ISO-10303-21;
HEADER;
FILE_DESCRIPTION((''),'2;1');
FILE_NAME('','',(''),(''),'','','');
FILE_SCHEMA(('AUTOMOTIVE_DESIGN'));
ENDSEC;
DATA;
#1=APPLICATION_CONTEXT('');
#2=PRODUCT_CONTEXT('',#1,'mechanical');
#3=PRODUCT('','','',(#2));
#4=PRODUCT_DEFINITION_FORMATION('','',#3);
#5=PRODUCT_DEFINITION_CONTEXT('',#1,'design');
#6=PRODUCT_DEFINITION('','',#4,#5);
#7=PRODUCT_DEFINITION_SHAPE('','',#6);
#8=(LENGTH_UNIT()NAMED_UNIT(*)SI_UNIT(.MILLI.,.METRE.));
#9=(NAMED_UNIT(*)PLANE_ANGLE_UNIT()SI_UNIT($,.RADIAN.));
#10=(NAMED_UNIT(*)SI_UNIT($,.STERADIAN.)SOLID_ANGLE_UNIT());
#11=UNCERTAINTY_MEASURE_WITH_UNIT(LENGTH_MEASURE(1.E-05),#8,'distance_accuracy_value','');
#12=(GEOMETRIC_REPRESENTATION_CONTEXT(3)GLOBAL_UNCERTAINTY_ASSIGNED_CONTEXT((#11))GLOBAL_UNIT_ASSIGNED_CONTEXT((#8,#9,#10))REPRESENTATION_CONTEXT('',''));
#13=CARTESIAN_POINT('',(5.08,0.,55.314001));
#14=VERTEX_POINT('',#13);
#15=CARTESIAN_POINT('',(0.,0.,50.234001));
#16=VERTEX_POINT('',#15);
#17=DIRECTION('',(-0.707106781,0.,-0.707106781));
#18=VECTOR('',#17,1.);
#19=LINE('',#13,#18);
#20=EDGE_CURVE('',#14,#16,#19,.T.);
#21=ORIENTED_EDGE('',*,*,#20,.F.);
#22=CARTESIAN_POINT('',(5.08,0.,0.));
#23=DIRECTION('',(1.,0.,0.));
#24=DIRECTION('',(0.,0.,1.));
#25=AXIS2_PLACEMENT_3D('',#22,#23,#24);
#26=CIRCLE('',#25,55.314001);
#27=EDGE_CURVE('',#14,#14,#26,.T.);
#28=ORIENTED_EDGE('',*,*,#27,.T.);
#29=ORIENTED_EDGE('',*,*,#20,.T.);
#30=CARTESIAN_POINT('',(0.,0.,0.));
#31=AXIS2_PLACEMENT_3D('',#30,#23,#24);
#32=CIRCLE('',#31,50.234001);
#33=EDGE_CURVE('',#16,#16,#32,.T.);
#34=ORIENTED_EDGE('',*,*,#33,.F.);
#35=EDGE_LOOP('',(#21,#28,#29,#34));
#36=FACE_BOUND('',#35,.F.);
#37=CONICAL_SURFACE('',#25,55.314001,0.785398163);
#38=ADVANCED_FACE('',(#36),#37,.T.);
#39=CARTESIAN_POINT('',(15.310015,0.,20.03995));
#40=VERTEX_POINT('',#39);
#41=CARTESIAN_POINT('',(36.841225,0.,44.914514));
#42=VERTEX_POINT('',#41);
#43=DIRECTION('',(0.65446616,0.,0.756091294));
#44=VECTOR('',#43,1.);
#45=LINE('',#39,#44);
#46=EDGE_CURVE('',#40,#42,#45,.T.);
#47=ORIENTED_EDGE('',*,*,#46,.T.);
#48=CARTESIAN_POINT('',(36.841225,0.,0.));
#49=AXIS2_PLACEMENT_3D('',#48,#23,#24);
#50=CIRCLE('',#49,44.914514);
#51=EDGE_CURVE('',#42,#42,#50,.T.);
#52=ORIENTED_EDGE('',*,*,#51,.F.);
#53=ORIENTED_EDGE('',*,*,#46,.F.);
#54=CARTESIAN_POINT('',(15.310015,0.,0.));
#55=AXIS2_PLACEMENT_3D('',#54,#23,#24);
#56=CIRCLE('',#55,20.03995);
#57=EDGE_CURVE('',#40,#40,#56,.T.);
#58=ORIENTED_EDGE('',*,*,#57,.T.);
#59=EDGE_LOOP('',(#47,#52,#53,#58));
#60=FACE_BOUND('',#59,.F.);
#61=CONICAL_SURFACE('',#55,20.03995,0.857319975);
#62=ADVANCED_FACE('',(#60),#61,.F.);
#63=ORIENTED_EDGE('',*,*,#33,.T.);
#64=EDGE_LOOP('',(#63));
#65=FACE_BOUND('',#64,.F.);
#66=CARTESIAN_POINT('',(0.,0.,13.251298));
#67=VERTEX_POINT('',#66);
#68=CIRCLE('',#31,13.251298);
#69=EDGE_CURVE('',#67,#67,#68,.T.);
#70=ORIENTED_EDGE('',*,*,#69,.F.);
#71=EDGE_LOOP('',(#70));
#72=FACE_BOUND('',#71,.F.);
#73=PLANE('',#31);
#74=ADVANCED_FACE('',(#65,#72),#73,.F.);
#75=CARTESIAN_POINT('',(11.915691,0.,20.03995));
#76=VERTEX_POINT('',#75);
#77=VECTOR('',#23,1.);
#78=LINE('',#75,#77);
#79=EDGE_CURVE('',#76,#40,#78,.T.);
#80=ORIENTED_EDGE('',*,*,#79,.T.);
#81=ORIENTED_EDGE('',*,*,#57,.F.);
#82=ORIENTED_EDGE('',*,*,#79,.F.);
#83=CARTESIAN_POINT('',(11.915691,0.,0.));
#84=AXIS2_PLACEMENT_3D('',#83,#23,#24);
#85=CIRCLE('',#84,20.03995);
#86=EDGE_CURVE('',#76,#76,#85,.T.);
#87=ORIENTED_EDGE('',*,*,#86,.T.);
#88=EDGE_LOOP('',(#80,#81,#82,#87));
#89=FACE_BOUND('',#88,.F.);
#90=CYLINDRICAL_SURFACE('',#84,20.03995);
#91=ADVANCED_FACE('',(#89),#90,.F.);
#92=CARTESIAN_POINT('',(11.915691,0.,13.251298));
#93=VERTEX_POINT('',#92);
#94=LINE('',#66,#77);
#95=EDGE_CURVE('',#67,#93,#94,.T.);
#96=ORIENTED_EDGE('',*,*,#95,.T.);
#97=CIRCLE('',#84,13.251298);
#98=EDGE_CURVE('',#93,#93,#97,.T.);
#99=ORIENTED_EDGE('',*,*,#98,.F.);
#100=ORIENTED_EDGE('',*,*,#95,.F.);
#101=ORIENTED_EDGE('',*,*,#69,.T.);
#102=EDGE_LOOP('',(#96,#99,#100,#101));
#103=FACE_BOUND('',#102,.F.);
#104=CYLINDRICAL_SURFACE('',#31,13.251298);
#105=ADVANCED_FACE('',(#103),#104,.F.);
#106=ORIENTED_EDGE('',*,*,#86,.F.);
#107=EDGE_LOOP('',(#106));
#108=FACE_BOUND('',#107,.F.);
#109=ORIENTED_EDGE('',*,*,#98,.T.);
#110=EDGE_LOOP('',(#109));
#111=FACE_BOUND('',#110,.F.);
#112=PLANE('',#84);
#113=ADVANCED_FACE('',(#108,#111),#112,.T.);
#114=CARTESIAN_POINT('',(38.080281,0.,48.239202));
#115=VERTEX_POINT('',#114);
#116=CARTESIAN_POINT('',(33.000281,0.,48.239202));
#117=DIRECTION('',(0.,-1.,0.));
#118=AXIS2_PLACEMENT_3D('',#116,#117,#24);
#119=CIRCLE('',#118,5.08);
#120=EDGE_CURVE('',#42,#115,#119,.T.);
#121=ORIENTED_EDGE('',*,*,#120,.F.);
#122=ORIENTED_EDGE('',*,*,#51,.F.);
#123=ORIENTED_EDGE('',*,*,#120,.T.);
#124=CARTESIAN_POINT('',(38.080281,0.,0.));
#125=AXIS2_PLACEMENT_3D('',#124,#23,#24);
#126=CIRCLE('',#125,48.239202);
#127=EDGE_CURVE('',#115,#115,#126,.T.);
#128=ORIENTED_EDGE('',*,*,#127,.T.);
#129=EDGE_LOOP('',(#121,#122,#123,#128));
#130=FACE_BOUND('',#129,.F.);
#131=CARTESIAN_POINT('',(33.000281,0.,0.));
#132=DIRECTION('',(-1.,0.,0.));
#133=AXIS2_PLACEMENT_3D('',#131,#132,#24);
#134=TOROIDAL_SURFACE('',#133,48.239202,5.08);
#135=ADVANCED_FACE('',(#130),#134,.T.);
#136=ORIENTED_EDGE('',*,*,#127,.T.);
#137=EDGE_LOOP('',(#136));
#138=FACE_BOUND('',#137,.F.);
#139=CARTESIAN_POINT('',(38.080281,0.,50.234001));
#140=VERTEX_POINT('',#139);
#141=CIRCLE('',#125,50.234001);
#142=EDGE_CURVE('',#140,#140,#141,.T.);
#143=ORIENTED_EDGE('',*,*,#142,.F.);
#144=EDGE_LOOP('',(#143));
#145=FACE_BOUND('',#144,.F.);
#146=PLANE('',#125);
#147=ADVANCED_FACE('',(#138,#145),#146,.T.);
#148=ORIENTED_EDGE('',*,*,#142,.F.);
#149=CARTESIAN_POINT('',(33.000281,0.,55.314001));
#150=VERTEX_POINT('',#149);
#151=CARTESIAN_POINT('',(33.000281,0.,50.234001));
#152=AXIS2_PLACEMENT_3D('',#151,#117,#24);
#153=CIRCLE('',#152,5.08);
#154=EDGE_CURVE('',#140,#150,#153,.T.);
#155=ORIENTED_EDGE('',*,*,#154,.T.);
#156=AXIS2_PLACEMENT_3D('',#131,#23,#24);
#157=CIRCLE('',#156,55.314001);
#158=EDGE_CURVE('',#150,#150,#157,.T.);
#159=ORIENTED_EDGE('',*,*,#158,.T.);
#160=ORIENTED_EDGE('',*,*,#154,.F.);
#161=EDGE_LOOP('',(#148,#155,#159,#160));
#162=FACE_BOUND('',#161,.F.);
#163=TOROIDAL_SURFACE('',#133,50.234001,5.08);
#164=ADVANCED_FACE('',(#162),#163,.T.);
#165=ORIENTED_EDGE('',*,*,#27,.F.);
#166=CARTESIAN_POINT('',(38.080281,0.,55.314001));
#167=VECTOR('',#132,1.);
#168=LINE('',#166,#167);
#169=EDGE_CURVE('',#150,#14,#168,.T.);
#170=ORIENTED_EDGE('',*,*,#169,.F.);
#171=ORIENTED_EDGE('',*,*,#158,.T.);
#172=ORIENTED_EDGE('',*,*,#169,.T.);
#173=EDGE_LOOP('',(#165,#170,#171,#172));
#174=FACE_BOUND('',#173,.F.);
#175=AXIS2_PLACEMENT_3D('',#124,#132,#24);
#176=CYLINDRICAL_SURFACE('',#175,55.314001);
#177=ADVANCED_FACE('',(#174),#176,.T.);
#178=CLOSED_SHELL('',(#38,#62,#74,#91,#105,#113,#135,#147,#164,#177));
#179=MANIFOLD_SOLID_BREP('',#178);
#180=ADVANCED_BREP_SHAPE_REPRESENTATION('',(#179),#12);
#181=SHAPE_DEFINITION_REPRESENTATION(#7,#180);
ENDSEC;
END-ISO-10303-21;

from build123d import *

# Parameters (mm, degrees)
F2_R    = 5.08
F3_SIZE = 5.08


with BuildPart() as f1:
    # F0 (on Front) → F1 (revolve)
    with BuildSketch(Plane.XZ):
        Polygon((0, 55.314001), (0, 13.251298), (11.915691, 13.251298), (11.915691, 20.03995), (15.310015, 20.03995), (38.080281, 46.34597), (38.080281, 55.314001), align=None)
    revolve(axis=Axis((25.323285, 0, 0), (1, 0, 0)))

    # F2
    f2_edges = [f1.edges().sort_by_distance(p)[0] for p in [
        (38.080281, 0, -46.34597),
        (38.080281, 0, -55.314001),
    ]]
    fillet(f2_edges, radius=F2_R)

    # F3
    f3_edges = [f1.edges().sort_by_distance(p)[0] for p in [
        (0, 0, -55.314001),
    ]]
    chamfer(f3_edges, length=F3_SIZE)


solid = f1.part
